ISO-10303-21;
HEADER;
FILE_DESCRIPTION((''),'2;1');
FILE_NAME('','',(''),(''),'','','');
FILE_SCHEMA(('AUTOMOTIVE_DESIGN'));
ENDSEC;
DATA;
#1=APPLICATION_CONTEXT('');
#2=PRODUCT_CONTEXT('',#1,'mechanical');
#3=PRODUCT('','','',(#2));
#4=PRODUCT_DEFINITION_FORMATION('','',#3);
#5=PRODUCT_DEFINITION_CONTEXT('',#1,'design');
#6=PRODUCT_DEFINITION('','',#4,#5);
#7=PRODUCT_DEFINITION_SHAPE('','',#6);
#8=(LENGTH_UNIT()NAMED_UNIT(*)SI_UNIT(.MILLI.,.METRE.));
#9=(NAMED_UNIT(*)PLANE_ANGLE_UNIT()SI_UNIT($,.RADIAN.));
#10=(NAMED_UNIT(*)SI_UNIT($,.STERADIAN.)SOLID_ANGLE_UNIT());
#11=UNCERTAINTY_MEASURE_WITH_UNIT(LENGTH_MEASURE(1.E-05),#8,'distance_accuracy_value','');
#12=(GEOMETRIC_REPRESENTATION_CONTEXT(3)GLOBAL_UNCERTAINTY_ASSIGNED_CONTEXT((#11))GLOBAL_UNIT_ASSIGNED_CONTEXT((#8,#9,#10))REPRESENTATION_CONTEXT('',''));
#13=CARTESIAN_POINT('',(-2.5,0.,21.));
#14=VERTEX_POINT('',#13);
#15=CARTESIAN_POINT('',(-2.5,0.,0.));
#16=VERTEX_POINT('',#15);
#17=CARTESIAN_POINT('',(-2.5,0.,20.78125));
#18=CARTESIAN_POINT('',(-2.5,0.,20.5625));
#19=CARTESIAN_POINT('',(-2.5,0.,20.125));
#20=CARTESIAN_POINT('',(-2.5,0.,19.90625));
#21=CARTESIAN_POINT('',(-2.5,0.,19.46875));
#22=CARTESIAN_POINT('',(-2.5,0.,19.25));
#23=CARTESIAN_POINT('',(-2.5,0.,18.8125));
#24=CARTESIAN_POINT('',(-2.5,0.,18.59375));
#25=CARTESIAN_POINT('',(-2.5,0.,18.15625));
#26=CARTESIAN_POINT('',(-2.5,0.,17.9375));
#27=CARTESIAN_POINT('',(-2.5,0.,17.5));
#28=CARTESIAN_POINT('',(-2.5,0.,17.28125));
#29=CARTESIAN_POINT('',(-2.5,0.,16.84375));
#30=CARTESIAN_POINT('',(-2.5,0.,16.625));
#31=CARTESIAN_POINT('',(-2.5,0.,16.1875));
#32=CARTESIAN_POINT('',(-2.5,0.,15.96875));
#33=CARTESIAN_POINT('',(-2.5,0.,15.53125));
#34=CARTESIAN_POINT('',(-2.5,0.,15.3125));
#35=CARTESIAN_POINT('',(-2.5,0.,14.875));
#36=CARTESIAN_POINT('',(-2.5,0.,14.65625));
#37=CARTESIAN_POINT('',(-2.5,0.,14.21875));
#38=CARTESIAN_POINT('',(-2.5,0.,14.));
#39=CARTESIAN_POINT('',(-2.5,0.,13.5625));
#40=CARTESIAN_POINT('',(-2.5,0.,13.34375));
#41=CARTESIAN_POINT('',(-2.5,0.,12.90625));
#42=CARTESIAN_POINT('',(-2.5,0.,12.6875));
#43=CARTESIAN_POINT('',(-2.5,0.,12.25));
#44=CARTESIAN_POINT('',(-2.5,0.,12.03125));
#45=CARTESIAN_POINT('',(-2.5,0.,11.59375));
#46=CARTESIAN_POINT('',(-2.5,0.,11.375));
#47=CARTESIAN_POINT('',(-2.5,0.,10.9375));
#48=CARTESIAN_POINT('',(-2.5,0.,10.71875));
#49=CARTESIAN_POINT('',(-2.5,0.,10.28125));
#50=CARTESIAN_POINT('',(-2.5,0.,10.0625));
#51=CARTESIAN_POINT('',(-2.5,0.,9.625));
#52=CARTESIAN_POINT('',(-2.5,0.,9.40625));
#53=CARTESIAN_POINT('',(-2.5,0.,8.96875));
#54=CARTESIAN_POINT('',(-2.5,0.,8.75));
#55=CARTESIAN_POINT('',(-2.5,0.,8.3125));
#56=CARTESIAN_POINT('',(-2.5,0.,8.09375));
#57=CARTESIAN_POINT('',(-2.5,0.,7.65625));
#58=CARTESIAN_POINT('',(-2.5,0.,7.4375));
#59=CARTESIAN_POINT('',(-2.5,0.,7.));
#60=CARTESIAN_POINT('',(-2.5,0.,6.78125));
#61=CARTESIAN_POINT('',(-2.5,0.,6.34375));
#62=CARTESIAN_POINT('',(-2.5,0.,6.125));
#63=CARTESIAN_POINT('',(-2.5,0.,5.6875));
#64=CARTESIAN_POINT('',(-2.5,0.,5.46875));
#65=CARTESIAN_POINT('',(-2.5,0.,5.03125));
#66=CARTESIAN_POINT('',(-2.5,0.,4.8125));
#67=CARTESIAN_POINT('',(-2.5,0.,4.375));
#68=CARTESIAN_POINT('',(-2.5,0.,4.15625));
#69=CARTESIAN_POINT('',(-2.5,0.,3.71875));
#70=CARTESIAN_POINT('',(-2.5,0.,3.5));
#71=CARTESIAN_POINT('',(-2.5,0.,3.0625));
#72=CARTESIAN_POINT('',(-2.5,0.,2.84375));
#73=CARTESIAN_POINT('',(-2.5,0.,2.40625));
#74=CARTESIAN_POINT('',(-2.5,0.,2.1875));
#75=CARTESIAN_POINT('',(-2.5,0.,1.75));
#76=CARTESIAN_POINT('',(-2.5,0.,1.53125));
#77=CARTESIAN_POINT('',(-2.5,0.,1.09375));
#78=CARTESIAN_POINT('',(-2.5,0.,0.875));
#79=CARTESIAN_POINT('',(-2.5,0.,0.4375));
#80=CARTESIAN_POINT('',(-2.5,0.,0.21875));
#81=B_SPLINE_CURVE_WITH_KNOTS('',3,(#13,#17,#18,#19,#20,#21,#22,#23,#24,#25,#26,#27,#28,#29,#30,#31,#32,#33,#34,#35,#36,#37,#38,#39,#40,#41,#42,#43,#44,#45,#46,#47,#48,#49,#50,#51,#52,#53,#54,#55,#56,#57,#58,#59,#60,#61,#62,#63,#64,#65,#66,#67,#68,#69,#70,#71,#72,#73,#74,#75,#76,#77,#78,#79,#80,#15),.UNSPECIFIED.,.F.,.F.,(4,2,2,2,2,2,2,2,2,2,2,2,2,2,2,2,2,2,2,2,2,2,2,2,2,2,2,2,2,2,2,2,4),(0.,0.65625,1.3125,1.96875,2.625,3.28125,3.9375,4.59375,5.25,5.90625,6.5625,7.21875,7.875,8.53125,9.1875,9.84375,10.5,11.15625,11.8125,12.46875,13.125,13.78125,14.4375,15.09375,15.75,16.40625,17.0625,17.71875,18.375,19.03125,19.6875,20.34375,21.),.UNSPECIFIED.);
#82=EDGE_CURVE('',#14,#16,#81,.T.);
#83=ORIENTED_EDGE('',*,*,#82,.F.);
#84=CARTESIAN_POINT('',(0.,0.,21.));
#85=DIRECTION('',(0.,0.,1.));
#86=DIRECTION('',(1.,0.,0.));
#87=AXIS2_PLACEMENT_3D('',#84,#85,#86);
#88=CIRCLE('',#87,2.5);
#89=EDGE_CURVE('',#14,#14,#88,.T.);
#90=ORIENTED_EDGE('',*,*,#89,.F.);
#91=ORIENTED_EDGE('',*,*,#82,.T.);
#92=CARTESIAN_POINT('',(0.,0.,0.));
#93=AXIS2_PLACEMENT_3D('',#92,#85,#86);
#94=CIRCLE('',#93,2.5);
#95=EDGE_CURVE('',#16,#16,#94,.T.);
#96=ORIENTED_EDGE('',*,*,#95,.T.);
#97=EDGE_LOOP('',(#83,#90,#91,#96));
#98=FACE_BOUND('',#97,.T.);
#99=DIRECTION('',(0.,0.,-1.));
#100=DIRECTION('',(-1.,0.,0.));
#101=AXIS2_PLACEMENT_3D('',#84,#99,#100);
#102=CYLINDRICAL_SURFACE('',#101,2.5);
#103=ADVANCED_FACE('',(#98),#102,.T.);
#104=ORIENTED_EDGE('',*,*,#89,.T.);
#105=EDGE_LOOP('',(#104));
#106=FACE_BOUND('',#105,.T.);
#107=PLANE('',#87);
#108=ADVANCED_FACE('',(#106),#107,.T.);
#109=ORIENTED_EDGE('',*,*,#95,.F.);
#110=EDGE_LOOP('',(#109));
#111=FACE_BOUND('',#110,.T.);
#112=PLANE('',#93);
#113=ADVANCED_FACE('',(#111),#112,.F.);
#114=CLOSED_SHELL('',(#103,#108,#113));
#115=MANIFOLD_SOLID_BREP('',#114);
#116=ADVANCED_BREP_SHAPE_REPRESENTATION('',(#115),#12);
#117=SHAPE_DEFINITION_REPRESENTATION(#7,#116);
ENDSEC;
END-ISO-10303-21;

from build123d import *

# Parameters (mm, degrees)
SKETCH1_R           = 2.5
BOSS_EXTRUDE1_DEPTH = 21


with BuildPart() as part:
    # Sketch1 → Boss-Extrude1 (new body)
    with BuildSketch(Plane.XY):
        with Locations(Location((0, 0, 0), (0, 0, 180))):
            Circle(SKETCH1_R)
    extrude(amount=BOSS_EXTRUDE1_DEPTH)


solid = part.part
